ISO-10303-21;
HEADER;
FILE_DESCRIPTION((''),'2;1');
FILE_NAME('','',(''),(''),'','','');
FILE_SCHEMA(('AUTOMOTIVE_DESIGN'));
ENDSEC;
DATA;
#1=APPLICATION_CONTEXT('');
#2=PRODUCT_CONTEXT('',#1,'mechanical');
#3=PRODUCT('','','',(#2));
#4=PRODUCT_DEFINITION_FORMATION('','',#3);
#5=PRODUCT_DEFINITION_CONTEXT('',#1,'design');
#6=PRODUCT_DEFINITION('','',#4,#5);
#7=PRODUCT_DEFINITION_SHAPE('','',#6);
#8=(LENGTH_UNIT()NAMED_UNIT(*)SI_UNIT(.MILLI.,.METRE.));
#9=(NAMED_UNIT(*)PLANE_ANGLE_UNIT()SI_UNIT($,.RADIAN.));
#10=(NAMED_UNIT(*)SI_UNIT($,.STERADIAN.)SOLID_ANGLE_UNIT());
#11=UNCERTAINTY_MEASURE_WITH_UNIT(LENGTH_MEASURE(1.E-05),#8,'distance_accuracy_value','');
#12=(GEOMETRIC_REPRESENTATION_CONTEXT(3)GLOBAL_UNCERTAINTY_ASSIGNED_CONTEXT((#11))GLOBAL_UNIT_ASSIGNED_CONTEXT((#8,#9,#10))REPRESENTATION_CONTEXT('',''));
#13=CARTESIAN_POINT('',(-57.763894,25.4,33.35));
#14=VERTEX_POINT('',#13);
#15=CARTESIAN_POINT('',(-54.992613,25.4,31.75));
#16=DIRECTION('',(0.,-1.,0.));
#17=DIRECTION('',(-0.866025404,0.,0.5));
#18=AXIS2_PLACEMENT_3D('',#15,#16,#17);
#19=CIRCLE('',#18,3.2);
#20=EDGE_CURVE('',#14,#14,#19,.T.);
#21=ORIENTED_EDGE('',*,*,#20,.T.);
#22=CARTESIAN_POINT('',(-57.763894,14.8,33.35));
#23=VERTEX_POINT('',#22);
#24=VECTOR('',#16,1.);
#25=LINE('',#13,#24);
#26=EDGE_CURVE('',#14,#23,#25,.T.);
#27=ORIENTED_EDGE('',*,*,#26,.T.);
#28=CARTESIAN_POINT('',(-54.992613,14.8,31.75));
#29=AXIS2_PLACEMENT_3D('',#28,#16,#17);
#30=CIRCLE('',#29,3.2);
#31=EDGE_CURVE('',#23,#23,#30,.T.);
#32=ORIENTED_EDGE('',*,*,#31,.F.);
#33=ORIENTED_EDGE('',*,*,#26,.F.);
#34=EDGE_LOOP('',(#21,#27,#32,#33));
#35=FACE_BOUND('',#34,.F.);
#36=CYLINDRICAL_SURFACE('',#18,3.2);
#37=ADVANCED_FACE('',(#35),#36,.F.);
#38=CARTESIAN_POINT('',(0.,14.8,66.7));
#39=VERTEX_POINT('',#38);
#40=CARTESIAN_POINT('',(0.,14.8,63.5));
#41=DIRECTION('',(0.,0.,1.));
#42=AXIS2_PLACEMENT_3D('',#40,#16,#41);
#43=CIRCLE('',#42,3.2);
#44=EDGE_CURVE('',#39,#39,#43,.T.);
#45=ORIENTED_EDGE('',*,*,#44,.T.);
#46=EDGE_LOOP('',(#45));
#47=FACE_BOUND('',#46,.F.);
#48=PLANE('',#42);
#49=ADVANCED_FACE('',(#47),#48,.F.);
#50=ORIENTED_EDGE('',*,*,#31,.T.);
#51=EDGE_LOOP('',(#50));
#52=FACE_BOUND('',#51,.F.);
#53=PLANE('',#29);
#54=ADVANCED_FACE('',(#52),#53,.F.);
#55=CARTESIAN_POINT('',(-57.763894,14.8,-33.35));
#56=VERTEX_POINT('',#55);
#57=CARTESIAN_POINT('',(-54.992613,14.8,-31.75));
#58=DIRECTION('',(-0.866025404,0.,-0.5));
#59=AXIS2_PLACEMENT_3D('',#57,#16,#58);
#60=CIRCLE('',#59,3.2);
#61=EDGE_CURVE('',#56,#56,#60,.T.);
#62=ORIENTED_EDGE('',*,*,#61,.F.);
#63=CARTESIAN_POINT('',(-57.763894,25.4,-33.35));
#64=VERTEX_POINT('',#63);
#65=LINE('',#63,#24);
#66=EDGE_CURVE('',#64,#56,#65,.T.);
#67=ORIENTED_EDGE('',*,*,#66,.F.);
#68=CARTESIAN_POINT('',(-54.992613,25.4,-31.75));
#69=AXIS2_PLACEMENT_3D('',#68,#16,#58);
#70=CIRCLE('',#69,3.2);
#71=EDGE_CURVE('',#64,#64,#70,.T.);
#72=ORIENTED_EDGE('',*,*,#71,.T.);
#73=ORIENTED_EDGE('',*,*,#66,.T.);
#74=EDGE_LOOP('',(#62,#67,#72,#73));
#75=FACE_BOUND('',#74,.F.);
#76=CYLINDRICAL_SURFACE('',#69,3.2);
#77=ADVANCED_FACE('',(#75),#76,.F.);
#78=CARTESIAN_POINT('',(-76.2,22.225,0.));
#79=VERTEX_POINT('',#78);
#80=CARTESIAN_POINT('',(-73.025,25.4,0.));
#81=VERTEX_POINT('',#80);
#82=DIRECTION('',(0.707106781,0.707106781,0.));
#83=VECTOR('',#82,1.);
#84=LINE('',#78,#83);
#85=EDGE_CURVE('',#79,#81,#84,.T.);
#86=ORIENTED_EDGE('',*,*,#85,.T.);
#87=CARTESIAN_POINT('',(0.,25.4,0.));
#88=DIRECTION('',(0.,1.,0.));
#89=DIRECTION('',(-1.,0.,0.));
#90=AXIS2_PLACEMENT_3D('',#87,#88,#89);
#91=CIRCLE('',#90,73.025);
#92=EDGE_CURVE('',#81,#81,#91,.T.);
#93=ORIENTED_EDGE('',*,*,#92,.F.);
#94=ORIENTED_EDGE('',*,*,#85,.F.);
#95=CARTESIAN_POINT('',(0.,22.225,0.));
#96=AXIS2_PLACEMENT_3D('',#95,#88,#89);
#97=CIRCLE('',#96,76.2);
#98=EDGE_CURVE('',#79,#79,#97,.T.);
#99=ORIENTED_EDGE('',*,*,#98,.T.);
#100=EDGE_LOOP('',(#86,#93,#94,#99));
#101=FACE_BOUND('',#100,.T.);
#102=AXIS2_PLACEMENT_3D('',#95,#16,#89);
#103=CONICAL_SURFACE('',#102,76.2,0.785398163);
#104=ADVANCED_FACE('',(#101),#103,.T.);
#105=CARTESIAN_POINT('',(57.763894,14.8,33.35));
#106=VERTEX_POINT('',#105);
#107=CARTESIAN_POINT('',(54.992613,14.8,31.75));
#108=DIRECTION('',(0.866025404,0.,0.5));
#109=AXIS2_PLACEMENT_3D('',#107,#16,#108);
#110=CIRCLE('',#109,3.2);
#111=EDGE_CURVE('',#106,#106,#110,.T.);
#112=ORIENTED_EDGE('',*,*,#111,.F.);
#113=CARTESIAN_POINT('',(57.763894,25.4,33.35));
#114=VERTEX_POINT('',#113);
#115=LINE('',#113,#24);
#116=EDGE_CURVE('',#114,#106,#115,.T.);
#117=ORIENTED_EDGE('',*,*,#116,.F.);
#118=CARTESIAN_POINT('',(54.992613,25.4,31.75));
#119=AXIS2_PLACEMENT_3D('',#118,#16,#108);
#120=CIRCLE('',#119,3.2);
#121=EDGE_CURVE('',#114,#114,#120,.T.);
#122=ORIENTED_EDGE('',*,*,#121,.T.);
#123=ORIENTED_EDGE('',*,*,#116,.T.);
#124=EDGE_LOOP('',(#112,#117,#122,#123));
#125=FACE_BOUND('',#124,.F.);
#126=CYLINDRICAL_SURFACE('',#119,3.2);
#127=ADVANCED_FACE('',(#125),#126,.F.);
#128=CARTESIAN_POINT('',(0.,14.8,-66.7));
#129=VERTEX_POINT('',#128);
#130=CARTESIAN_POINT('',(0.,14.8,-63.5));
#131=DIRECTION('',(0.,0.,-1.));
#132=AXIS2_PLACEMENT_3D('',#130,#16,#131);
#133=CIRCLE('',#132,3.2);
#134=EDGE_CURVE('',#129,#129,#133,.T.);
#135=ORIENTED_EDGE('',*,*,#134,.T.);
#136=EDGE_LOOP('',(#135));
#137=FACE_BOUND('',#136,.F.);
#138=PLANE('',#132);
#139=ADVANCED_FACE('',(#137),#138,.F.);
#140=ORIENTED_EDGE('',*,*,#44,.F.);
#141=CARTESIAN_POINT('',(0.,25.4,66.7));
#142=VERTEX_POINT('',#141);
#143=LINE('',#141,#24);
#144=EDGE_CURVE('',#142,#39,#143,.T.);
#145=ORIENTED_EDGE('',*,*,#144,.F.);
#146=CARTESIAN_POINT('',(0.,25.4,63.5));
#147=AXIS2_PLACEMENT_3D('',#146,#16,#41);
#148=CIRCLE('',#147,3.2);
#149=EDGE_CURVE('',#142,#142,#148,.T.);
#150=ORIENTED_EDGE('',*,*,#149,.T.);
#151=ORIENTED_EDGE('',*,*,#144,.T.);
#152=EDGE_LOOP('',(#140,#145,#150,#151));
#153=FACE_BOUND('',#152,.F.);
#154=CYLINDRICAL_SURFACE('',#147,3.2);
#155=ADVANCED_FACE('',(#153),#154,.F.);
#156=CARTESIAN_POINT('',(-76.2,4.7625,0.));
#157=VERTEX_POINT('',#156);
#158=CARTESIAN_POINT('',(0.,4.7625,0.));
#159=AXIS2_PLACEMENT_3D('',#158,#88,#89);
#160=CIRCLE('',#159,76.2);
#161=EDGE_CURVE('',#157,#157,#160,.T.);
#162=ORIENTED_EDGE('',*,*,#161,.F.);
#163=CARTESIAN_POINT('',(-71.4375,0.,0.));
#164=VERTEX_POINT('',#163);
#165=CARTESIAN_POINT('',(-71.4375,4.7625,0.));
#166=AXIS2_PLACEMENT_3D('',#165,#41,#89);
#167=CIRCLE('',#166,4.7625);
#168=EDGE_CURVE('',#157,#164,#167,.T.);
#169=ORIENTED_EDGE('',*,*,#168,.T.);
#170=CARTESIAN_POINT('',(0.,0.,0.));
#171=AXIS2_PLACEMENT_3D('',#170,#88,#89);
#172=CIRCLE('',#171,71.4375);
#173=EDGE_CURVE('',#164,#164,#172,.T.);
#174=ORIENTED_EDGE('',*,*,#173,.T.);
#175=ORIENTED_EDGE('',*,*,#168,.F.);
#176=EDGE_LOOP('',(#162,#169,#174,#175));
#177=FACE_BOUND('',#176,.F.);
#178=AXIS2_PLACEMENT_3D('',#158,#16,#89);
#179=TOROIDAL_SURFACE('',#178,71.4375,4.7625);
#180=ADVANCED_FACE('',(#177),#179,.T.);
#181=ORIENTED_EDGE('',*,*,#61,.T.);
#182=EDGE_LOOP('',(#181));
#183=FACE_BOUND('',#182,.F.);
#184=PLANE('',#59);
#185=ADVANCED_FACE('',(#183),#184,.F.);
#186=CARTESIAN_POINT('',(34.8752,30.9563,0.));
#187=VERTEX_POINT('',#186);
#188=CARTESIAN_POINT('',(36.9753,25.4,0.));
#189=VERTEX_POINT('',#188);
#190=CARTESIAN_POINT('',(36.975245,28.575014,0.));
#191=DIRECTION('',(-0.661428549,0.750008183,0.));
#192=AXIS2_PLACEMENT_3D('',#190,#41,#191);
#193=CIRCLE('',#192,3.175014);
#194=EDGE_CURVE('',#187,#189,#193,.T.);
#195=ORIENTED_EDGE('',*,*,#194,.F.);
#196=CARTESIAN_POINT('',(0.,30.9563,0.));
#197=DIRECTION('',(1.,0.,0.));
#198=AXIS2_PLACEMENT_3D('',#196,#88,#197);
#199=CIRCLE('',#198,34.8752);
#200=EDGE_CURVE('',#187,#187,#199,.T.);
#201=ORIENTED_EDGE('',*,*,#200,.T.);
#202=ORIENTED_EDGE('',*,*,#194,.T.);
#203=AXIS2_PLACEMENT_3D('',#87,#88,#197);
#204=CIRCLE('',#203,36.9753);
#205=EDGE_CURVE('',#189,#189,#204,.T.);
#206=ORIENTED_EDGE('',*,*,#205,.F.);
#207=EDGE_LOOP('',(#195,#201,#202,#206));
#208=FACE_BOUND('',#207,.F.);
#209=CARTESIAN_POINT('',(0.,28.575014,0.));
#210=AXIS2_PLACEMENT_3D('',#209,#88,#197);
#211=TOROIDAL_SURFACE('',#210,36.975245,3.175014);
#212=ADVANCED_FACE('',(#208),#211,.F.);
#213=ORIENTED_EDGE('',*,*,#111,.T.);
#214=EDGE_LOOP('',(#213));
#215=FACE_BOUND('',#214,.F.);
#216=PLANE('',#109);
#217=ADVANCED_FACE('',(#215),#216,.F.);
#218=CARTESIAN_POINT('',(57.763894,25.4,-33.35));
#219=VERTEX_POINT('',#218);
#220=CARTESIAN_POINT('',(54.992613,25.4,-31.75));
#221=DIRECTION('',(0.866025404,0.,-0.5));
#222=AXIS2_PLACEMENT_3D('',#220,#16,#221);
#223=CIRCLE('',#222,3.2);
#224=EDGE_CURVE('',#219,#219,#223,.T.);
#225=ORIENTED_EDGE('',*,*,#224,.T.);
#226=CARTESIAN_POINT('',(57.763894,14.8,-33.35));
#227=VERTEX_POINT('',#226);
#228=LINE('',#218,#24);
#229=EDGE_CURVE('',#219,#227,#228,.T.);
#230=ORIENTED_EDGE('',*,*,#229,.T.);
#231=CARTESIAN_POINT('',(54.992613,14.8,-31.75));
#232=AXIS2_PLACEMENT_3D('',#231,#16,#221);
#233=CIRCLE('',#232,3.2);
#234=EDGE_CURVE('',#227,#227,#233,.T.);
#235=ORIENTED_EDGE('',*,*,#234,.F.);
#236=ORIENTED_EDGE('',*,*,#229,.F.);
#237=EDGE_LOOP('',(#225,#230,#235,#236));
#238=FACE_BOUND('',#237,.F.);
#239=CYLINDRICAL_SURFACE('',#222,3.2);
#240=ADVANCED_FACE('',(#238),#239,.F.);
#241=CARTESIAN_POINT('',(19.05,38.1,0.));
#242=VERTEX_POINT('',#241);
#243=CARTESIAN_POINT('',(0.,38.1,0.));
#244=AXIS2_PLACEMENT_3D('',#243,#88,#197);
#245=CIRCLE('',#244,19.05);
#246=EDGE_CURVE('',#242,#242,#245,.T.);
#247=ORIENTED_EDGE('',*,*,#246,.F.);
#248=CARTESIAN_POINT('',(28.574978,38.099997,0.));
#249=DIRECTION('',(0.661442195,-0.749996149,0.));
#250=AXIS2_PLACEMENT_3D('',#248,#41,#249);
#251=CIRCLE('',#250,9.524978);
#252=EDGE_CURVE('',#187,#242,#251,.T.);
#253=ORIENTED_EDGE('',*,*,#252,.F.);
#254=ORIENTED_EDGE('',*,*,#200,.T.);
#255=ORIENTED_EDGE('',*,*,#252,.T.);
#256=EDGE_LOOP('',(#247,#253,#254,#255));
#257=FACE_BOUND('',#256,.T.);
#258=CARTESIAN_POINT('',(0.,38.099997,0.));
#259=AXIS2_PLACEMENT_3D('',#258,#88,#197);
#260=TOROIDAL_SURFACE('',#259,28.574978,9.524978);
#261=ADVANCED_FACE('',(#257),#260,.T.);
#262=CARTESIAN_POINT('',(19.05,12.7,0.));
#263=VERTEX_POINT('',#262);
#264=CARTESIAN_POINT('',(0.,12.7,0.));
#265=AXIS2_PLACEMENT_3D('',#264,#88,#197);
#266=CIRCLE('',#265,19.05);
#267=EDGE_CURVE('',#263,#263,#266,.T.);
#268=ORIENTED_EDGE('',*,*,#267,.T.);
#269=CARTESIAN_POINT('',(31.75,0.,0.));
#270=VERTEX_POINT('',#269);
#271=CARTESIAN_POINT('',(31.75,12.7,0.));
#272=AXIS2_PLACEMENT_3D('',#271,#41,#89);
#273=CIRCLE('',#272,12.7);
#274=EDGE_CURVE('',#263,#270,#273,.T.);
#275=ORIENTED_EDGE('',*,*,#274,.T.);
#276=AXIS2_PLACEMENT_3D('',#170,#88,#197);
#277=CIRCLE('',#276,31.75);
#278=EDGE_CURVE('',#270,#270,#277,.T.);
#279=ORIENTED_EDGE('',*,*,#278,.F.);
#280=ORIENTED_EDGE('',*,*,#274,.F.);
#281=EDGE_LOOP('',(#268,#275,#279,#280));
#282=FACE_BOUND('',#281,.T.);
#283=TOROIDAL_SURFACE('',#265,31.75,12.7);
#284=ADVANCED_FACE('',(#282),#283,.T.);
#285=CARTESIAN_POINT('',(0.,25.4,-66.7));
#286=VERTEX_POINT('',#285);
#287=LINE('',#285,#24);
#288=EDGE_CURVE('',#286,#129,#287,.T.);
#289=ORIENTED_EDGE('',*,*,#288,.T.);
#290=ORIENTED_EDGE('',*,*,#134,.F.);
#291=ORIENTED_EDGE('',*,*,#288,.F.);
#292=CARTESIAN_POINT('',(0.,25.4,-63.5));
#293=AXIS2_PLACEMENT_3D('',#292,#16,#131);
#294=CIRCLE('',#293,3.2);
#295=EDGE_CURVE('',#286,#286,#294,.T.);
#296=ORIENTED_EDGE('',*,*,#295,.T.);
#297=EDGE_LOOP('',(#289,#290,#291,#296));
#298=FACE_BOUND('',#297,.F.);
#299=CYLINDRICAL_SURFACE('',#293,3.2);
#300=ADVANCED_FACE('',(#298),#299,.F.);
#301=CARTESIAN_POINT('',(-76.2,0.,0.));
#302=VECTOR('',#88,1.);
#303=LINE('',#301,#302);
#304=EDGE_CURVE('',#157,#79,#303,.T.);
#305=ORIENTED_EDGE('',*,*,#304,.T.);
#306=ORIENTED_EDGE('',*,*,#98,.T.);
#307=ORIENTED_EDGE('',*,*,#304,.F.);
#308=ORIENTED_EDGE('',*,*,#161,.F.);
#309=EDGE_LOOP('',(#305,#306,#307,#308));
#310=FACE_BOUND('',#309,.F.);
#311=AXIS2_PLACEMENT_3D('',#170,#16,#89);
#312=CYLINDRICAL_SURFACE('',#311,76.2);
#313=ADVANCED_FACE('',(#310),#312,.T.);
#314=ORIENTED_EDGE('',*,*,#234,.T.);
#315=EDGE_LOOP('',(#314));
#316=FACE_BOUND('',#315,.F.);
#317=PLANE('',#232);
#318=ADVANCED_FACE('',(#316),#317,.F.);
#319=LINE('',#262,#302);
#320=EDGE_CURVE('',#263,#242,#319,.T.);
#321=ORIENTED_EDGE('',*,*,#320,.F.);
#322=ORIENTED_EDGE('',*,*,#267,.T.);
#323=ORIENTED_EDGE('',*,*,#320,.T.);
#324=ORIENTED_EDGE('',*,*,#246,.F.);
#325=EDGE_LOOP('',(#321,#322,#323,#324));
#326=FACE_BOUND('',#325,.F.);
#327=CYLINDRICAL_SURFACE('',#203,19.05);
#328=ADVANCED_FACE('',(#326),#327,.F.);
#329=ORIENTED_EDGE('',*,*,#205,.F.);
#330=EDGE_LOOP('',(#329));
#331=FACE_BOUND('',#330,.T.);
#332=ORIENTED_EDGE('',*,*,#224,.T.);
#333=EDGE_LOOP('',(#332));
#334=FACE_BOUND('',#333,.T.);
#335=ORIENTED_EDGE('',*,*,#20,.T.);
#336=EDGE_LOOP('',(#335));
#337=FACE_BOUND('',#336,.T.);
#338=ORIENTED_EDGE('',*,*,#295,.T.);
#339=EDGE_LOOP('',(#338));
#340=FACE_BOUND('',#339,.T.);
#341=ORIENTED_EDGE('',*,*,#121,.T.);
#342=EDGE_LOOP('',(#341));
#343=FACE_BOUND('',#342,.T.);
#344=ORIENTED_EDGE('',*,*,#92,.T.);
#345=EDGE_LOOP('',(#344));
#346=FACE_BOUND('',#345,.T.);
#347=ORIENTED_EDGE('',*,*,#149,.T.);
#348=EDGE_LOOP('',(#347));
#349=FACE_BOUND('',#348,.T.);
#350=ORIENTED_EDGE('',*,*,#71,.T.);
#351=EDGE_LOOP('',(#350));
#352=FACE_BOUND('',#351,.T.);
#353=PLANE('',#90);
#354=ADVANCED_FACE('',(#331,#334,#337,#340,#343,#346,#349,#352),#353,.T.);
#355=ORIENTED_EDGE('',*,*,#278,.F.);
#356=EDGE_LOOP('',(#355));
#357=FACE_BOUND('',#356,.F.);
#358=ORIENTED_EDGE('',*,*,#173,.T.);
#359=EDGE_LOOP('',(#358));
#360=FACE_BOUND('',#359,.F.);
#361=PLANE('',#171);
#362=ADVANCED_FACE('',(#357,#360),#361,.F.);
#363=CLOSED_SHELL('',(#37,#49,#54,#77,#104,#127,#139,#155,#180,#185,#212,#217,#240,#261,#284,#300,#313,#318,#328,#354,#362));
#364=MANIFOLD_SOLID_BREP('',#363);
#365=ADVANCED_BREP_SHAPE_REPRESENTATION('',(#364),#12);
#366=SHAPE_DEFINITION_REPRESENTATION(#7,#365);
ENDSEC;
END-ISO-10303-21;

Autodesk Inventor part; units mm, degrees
ref_plane "YZ Plane" through (0, 0, 0) normal (1, 0, 0) x (0, 1, 0)
ref_plane "XZ Plane" through (0, 0, 0) normal (0, 1, 0) x (-1, 0, 0)
ref_plane "XY Plane" through (0, 0, 0) normal (0, 0, 1) x (1, 0, 0)
sketch "Sketch1" plane through (0, 0, 0) normal (0, 1, 0) x (-1, 0, 0)
  circle A0 centre (0, 0) radius 76.2
  dimension "d0" = 152.4
extrude "Main-Body" add sketch "Sketch1" along normal blind 25.4
sketch "Sketch3" plane through (0, 0, 0) normal (0, 0, 1) x (1, 0, 0)
  line L0 (0, 25.4) -> (19.05, 25.4)
  line L1 (19.05, 25.4) -> (19.05, 12.7)
  line L2 (76.2, 25.4) -> (-76.2, 25.4) projected
  arc A0 (19.05, 12.7) -> (31.75, 0) centre (31.75, 12.7) ccw
  line L3 (76.2, 0) -> (-76.2, 0) projected
  line L4 (31.75, 0) -> (0, 0)
  line L5 (0, 0) -> (0, 25.4)
  dimension "d12" = 25.4
  dimension "d19" = 19.05
revolve "Middle-Cutout" cut sketch "Sketch3" angle 360 about axis through (0, 0, 0) along (0, 1, 0)
sketch "Sketch4" plane through (0, 0, 0) normal (0, 0, 1) x (1, 0, 0)
  line L0 (19.05, 25.4) -> (19.05, 12.7) projected
  line L1 (0, 0) -> (0, 33.6646)
  arc A0 (34.8752, 30.9563) -> (19.05, 38.1) centre (28.575, 38.1) ccw
  arc A1 (34.8752, 30.9563) -> (36.9753, 25.4) centre (36.9753, 28.575) ccw
  line L2 (76.2, 25.4) -> (-76.2, 25.4) projected
  line L3 (19.05, 25.4) -> (19.05, 38.1)
  line L4 (36.9753, 25.4) -> (19.05, 25.4)
  dimension "d48" = 9.525
  dimension "d50" = 12.7
  dimension "d51" = 3.175
  dimension "d52" = 38.1
revolve "Bump" add sketch "Sketch4" angle 360 about axis through (0, 0, 0) along (0, 1, 0)
fillet "Fillet4" radius 4.7625 1 edges at (76.2, 0, 0)
sketch "Sketch6" plane through (0, 25.4, 0) normal (0, 1, 0) x (1, 0, 0)
  line L0 (0, 0) -> (0, -63.5)
  point P0 (0, -63.5)
  dimension "d41" = 63.5
hole "Hole1" at (0, 25.4, 63.5) direction (0, -1, 0) diameter 6.4 depth 10.6
pattern_circular "Circular Pattern1" count 6 over 360 about axis through (0, 19.05, 0) along (0, -1, 0) of "Hole1"
chamfer "Chamfer1" distance 3.175 angle 45 1 edges at (76.2, 25.4, 0)
properties part number "Bottom" material "ABS Plastic"
